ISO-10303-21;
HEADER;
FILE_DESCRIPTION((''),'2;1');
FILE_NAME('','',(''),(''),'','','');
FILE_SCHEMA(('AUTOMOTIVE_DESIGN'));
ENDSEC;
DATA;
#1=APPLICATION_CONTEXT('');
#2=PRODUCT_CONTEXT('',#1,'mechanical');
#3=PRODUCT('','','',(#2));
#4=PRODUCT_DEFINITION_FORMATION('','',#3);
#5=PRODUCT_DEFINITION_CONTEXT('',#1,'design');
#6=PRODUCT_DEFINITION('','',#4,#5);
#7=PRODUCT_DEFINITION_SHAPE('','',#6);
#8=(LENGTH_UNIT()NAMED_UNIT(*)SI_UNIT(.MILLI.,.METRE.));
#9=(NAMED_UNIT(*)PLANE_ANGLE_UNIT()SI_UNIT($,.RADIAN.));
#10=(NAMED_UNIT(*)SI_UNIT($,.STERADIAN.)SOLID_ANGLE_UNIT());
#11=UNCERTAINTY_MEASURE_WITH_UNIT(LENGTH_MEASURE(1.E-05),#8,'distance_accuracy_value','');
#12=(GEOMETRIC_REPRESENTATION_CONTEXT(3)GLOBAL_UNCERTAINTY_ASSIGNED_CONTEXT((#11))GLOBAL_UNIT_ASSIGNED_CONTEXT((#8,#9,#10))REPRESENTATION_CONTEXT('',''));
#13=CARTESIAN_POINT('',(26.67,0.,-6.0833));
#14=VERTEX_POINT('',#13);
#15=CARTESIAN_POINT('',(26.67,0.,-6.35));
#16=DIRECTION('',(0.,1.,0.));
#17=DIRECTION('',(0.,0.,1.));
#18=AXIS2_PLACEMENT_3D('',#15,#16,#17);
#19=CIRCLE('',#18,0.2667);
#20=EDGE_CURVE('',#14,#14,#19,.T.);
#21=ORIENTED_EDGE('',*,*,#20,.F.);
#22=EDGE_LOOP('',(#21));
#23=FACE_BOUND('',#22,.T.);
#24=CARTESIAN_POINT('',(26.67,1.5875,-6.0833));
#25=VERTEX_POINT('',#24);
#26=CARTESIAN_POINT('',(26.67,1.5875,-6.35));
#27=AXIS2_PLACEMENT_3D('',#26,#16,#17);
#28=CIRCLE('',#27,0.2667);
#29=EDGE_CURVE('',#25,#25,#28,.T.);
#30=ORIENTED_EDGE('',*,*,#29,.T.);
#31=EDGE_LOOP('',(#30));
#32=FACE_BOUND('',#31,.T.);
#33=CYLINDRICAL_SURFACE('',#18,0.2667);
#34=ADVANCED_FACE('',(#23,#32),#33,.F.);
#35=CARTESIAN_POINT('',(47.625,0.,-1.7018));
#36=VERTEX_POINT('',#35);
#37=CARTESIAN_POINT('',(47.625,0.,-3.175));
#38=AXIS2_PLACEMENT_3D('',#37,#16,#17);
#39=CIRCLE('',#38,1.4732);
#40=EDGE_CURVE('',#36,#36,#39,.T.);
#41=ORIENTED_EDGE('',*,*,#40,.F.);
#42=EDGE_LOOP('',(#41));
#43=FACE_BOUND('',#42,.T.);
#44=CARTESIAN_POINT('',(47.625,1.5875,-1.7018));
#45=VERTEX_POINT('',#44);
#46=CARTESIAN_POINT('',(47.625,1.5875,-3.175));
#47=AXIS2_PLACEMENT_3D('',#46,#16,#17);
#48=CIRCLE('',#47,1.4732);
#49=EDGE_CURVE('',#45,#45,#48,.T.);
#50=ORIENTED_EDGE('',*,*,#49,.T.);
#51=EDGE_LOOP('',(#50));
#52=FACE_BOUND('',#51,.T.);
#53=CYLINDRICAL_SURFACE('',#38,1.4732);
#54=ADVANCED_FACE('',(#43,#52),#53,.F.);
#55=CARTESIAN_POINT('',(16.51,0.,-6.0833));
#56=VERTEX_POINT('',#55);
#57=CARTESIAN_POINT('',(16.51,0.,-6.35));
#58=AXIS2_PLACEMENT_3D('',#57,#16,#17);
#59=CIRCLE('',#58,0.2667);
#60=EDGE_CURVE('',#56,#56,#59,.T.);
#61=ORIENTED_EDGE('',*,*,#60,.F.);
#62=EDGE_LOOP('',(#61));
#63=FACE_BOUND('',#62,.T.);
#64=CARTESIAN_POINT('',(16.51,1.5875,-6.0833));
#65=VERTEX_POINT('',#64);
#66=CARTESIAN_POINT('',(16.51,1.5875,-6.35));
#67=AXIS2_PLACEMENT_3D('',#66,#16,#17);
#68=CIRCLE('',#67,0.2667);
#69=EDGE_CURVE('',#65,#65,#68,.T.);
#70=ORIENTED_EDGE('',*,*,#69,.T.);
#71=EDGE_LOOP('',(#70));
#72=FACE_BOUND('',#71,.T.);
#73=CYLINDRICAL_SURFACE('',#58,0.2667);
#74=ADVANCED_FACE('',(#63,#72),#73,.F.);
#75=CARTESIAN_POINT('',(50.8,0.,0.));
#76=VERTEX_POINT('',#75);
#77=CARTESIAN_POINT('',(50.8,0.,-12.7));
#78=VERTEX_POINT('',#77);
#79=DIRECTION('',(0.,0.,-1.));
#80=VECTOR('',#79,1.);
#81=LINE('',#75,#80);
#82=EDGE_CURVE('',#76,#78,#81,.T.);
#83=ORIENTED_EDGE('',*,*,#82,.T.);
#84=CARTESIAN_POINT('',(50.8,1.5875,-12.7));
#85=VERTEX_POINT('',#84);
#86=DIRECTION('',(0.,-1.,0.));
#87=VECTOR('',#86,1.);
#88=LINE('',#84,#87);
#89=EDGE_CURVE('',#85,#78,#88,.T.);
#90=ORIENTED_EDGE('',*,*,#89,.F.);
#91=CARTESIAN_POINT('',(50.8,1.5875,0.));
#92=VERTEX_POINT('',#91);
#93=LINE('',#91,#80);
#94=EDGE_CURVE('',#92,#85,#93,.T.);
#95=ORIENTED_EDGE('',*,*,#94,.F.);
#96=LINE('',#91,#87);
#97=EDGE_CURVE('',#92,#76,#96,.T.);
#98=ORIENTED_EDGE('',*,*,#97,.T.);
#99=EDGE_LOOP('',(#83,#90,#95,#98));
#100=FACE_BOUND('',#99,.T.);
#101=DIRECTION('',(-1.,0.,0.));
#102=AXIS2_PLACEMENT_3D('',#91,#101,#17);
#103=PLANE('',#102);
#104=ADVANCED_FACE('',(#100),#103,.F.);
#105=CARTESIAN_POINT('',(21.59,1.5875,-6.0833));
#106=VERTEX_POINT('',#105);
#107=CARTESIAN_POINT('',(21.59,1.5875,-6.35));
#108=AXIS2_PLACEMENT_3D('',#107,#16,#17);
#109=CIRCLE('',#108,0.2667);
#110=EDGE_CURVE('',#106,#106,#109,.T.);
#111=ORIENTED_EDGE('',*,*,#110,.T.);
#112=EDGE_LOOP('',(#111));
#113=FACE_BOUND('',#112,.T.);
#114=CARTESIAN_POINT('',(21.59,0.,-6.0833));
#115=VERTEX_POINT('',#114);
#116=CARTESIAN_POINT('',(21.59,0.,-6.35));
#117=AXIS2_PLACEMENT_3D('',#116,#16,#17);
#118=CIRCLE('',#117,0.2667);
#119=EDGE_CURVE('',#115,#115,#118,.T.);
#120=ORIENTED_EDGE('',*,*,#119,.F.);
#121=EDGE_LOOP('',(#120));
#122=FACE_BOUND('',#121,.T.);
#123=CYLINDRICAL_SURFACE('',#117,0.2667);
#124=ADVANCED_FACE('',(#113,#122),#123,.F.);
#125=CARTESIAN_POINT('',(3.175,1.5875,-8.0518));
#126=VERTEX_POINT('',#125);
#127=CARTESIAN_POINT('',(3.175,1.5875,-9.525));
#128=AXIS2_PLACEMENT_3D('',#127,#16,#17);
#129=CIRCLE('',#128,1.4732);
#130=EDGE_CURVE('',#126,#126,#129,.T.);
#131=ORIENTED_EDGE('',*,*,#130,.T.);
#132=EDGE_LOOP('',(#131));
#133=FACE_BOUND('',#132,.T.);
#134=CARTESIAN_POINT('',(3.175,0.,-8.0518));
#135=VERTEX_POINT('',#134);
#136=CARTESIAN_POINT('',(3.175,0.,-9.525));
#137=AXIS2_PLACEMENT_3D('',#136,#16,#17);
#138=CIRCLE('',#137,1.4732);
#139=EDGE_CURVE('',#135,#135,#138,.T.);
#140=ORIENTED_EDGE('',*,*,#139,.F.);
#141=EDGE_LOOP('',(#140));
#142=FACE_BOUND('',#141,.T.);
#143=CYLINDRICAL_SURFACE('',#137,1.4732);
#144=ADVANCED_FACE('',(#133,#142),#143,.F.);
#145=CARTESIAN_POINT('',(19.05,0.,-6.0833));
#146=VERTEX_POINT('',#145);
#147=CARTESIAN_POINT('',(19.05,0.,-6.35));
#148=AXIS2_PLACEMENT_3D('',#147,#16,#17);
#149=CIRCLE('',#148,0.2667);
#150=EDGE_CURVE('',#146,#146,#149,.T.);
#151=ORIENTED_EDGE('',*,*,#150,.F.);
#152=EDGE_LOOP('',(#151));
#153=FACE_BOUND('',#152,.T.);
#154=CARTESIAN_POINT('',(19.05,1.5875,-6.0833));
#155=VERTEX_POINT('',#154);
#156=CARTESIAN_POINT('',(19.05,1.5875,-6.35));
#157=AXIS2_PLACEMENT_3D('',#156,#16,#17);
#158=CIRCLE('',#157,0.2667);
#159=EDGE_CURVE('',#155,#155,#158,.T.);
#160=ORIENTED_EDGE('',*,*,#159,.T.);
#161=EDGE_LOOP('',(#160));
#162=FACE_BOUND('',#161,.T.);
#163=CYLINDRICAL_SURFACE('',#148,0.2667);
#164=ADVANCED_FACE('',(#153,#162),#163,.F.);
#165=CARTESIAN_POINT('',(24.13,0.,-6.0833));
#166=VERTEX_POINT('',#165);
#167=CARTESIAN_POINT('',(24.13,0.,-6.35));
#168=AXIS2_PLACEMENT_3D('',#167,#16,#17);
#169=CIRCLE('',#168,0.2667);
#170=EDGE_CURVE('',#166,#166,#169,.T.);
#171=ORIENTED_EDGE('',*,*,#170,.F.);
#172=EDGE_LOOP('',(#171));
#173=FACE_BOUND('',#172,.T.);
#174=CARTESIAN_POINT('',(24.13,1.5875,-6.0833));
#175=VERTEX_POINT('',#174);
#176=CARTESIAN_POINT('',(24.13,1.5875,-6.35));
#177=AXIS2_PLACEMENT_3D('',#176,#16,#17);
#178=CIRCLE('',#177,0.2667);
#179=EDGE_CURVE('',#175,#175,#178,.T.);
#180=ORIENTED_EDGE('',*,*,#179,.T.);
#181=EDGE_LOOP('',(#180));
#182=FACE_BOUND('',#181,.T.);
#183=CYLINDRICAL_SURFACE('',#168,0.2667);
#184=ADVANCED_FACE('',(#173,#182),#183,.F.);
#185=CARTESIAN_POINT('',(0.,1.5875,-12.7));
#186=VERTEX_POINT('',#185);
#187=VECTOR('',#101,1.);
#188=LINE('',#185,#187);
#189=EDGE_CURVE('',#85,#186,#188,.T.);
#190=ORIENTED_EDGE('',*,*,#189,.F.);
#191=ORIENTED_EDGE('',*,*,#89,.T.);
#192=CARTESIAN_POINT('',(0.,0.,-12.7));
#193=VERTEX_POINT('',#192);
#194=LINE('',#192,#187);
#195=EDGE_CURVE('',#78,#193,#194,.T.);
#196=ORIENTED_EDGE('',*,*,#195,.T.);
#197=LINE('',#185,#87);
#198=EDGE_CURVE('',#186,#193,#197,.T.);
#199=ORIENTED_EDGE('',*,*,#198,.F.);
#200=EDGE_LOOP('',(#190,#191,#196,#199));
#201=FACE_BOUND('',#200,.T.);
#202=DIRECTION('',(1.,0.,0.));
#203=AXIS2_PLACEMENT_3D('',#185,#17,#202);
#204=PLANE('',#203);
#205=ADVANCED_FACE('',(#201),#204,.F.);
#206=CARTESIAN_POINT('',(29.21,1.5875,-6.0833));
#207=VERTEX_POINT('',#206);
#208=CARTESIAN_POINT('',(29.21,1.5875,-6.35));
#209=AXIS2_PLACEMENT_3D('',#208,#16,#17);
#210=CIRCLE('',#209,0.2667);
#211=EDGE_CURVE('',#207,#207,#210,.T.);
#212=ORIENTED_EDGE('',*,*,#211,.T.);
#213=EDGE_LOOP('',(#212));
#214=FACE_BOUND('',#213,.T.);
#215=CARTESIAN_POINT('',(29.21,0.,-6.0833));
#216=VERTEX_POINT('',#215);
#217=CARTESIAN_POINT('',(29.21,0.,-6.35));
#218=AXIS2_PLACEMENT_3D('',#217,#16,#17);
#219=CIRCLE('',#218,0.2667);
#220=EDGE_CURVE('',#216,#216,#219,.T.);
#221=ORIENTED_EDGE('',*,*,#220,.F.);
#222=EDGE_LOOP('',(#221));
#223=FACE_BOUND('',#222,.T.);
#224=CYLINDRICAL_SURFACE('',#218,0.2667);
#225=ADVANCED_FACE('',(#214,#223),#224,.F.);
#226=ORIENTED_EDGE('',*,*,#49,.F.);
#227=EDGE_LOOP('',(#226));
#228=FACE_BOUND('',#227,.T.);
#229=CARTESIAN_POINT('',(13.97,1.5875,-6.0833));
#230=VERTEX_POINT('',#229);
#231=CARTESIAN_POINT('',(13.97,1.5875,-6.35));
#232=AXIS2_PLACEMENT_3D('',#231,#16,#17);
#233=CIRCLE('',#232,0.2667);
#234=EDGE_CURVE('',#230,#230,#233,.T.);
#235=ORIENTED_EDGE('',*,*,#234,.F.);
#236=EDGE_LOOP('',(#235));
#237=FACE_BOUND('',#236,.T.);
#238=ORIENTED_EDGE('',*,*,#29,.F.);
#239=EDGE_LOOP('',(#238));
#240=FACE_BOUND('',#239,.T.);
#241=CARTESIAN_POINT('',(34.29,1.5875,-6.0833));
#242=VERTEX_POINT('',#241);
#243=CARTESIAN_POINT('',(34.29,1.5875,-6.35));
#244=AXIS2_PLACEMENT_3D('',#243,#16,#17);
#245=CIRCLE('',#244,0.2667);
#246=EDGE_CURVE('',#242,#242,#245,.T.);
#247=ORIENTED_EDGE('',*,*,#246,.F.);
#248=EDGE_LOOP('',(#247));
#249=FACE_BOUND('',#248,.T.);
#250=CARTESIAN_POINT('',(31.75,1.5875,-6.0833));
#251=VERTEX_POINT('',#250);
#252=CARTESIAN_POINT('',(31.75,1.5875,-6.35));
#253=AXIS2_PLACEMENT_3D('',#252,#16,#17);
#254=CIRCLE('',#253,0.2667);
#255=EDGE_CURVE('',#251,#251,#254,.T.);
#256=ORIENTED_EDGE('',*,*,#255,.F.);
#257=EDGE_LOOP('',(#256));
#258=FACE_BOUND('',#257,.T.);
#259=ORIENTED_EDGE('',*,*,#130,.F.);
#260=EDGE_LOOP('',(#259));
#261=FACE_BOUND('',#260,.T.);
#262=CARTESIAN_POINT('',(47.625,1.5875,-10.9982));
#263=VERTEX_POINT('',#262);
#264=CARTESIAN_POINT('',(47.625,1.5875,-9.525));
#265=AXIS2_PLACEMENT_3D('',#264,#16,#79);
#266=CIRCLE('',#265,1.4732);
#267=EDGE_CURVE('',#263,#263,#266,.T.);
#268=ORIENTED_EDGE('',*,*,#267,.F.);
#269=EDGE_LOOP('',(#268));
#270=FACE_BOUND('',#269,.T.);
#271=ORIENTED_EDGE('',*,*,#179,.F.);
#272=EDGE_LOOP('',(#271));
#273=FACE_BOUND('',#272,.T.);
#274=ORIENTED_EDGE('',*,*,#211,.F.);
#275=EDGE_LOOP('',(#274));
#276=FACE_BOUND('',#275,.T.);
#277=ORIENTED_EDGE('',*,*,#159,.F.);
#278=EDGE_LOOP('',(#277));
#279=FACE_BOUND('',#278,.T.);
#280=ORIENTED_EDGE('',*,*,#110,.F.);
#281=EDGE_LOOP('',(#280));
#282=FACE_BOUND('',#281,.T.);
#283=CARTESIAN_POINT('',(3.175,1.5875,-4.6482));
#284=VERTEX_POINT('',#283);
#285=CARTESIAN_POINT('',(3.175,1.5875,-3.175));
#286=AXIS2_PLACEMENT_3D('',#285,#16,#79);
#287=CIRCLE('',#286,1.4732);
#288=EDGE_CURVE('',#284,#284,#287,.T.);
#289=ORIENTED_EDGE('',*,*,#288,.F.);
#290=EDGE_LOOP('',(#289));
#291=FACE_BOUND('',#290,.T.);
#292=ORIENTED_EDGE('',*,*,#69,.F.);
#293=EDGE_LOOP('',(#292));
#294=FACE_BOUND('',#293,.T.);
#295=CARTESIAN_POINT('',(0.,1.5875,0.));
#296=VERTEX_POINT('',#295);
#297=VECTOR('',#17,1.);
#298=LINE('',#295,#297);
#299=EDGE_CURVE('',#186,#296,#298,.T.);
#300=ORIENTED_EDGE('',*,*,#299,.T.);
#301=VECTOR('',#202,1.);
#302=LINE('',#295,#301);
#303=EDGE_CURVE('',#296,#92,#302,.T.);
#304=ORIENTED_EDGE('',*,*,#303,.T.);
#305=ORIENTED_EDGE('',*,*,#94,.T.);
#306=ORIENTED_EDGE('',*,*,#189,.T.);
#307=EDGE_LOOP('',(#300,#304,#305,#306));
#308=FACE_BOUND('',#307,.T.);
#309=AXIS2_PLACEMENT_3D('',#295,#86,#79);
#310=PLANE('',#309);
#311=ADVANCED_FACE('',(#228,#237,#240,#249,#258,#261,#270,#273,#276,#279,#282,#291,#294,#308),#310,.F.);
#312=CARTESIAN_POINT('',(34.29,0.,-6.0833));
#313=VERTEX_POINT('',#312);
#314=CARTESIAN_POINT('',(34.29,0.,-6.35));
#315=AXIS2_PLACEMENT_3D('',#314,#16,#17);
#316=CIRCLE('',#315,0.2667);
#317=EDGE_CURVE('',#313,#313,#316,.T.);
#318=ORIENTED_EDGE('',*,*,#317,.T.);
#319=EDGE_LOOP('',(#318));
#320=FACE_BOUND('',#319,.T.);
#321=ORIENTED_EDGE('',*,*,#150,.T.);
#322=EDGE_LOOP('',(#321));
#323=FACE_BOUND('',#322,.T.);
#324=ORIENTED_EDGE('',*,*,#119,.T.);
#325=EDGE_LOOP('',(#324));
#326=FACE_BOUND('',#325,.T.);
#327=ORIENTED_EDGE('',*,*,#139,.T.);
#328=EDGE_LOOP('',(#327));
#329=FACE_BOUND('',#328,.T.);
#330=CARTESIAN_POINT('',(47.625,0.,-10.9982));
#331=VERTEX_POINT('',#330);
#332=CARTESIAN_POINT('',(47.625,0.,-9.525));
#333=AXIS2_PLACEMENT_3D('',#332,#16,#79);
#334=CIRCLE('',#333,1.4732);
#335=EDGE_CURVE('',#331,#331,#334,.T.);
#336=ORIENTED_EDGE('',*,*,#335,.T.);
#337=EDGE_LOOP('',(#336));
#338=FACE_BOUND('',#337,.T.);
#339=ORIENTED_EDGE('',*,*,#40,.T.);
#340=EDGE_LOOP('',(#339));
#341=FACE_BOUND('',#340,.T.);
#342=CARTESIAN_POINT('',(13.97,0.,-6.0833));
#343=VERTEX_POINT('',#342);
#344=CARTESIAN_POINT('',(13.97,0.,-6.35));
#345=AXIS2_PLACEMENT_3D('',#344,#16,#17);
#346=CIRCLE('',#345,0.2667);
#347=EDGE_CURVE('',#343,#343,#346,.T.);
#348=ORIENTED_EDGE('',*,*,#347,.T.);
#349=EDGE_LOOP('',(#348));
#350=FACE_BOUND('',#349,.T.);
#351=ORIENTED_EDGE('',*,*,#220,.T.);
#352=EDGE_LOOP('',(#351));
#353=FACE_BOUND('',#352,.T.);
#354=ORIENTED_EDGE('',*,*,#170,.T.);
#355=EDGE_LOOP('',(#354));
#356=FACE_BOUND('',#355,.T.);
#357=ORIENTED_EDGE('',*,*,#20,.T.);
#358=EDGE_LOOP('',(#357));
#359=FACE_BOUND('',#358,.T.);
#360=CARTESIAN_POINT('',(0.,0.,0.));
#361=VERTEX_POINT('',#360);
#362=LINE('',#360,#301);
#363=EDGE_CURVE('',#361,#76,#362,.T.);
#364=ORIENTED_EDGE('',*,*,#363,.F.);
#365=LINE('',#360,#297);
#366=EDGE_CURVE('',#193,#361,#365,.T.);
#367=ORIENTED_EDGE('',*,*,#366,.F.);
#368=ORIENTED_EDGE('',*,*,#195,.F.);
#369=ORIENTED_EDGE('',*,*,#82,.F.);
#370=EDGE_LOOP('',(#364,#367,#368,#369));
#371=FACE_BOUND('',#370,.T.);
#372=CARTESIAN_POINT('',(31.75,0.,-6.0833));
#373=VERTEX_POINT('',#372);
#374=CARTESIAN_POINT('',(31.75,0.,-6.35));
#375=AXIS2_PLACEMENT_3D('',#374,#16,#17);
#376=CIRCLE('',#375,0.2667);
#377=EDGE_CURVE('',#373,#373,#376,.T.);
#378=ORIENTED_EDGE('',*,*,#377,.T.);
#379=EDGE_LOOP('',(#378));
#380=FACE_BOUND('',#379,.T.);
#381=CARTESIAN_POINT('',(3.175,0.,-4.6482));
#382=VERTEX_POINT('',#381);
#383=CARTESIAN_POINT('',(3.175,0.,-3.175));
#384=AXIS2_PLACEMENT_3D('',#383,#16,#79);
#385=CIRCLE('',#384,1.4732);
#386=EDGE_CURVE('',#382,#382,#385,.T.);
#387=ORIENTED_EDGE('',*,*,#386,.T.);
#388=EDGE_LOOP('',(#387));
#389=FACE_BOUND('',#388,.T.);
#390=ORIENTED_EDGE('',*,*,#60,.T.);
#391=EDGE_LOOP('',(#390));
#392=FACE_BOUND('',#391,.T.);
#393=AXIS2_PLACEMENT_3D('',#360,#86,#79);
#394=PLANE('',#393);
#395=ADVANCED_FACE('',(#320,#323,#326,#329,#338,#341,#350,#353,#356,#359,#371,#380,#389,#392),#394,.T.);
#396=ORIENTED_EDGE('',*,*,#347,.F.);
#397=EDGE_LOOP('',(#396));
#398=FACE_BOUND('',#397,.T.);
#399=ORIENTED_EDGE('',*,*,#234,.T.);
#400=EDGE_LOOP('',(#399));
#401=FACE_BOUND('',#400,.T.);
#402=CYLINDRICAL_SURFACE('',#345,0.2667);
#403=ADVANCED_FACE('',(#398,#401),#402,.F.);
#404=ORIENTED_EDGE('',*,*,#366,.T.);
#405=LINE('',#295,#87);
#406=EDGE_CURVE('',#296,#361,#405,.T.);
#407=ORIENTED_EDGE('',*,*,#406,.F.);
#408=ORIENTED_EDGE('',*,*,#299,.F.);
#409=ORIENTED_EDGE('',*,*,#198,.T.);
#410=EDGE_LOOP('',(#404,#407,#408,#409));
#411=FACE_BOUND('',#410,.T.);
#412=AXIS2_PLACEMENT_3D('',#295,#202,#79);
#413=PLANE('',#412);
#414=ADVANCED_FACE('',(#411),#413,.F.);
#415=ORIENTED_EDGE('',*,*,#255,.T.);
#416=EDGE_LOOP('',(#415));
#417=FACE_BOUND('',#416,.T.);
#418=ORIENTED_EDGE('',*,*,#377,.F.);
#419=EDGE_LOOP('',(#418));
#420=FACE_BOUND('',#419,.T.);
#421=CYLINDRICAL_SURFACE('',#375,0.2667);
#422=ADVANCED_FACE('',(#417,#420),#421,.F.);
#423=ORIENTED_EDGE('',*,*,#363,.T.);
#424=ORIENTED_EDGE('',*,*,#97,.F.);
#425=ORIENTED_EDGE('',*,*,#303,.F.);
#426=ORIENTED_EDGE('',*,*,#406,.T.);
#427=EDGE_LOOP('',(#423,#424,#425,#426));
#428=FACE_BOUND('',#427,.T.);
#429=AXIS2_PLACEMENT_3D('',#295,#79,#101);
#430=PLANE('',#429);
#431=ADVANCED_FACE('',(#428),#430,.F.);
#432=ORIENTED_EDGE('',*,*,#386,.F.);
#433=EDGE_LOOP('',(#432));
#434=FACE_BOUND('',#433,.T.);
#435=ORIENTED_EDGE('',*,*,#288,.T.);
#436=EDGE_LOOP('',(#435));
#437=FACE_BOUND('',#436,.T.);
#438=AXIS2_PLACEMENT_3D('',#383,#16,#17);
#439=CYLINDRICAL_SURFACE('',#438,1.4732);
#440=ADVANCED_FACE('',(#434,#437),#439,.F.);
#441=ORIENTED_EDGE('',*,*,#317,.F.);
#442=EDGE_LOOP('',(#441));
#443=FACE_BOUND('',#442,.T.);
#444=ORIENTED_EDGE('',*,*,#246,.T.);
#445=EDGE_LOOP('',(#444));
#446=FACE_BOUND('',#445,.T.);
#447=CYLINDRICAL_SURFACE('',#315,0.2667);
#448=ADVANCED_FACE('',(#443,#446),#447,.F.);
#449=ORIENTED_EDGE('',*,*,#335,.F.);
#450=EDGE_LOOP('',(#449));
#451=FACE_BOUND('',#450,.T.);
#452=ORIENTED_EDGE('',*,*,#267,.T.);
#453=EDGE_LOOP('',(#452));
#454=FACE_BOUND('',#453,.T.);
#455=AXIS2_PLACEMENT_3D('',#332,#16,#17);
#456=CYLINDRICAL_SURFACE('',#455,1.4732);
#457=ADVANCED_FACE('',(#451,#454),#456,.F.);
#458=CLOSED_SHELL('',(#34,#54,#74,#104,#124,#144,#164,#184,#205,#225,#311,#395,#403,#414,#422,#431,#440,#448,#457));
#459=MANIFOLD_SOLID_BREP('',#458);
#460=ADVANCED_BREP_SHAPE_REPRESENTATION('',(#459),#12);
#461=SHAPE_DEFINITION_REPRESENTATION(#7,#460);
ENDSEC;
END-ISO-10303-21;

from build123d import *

# Parameters (mm, degrees)
SKETCH1_W           = 50.8
SKETCH1_H           = 12.7
BOSS_EXTRUDE1_DEPTH = 1.5875
SKETCH2_R           = 1.4732
CUT_EXTRUDE1_DEPTH  = 1.5875
SKETCH3_R           = 0.2667
CUT_EXTRUDE2_DEPTH  = 1.5875


with BuildPart() as part:
    # Sketch1 → Boss-Extrude1 (new body)
    with BuildSketch(Plane(origin=(0, 0, 0), x_dir=(1, 0, 0), z_dir=(0, 1, 0))):
        with Locations((25.4, 6.35)):
            Rectangle(SKETCH1_W, SKETCH1_H)
    extrude(amount=BOSS_EXTRUDE1_DEPTH)

    # Sketch2 → Cut-Extrude1 (cut)
    with BuildSketch(Plane(origin=(0, 1.5875, 0), x_dir=(1, 0, 0), z_dir=(0, 1, 0))):
        with Locations(Location((3.175, 9.525, 0), (0, 0, 270))):
            Circle(SKETCH2_R)
        with Locations(Location((3.175, 3.175, 0), (0, 0, 90))):
            Circle(SKETCH2_R)
        with Locations(Location((47.625, 9.525, 0), (0, 0, 90))):
            Circle(SKETCH2_R)
        with Locations(Location((47.625, 3.175, 0), (0, 0, 270))):
            Circle(SKETCH2_R)
    extrude(amount=-CUT_EXTRUDE1_DEPTH, mode=Mode.SUBTRACT)

    # Sketch3 → Cut-Extrude2 (cut)
    with BuildSketch(Plane(origin=(0, 1.5875, 0), x_dir=(1, 0, 0), z_dir=(0, 1, 0))):
        with Locations(Location((24.13, 6.35, 0), (0, 0, 270))):
            Circle(SKETCH3_R)
        with Locations(Location((21.59, 6.35, 0), (0, 0, 270))):
            Circle(SKETCH3_R)
        with Locations(Location((19.05, 6.35, 0), (0, 0, 270))):
            Circle(SKETCH3_R)
        with Locations(Location((16.51, 6.35, 0), (0, 0, 270))):
            Circle(SKETCH3_R)
        with Locations(Location((13.97, 6.35, 0), (0, 0, 270))):
            Circle(SKETCH3_R)
        with Locations(Location((26.67, 6.35, 0), (0, 0, 270))):
            Circle(SKETCH3_R)
        with Locations(Location((29.21, 6.35, 0), (0, 0, 270))):
            Circle(SKETCH3_R)
        with Locations(Location((31.75, 6.35, 0), (0, 0, 270))):
            Circle(SKETCH3_R)
        with Locations(Location((34.29, 6.35, 0), (0, 0, 270))):
            Circle(SKETCH3_R)
    extrude(amount=-CUT_EXTRUDE2_DEPTH, mode=Mode.SUBTRACT)


solid = part.part
